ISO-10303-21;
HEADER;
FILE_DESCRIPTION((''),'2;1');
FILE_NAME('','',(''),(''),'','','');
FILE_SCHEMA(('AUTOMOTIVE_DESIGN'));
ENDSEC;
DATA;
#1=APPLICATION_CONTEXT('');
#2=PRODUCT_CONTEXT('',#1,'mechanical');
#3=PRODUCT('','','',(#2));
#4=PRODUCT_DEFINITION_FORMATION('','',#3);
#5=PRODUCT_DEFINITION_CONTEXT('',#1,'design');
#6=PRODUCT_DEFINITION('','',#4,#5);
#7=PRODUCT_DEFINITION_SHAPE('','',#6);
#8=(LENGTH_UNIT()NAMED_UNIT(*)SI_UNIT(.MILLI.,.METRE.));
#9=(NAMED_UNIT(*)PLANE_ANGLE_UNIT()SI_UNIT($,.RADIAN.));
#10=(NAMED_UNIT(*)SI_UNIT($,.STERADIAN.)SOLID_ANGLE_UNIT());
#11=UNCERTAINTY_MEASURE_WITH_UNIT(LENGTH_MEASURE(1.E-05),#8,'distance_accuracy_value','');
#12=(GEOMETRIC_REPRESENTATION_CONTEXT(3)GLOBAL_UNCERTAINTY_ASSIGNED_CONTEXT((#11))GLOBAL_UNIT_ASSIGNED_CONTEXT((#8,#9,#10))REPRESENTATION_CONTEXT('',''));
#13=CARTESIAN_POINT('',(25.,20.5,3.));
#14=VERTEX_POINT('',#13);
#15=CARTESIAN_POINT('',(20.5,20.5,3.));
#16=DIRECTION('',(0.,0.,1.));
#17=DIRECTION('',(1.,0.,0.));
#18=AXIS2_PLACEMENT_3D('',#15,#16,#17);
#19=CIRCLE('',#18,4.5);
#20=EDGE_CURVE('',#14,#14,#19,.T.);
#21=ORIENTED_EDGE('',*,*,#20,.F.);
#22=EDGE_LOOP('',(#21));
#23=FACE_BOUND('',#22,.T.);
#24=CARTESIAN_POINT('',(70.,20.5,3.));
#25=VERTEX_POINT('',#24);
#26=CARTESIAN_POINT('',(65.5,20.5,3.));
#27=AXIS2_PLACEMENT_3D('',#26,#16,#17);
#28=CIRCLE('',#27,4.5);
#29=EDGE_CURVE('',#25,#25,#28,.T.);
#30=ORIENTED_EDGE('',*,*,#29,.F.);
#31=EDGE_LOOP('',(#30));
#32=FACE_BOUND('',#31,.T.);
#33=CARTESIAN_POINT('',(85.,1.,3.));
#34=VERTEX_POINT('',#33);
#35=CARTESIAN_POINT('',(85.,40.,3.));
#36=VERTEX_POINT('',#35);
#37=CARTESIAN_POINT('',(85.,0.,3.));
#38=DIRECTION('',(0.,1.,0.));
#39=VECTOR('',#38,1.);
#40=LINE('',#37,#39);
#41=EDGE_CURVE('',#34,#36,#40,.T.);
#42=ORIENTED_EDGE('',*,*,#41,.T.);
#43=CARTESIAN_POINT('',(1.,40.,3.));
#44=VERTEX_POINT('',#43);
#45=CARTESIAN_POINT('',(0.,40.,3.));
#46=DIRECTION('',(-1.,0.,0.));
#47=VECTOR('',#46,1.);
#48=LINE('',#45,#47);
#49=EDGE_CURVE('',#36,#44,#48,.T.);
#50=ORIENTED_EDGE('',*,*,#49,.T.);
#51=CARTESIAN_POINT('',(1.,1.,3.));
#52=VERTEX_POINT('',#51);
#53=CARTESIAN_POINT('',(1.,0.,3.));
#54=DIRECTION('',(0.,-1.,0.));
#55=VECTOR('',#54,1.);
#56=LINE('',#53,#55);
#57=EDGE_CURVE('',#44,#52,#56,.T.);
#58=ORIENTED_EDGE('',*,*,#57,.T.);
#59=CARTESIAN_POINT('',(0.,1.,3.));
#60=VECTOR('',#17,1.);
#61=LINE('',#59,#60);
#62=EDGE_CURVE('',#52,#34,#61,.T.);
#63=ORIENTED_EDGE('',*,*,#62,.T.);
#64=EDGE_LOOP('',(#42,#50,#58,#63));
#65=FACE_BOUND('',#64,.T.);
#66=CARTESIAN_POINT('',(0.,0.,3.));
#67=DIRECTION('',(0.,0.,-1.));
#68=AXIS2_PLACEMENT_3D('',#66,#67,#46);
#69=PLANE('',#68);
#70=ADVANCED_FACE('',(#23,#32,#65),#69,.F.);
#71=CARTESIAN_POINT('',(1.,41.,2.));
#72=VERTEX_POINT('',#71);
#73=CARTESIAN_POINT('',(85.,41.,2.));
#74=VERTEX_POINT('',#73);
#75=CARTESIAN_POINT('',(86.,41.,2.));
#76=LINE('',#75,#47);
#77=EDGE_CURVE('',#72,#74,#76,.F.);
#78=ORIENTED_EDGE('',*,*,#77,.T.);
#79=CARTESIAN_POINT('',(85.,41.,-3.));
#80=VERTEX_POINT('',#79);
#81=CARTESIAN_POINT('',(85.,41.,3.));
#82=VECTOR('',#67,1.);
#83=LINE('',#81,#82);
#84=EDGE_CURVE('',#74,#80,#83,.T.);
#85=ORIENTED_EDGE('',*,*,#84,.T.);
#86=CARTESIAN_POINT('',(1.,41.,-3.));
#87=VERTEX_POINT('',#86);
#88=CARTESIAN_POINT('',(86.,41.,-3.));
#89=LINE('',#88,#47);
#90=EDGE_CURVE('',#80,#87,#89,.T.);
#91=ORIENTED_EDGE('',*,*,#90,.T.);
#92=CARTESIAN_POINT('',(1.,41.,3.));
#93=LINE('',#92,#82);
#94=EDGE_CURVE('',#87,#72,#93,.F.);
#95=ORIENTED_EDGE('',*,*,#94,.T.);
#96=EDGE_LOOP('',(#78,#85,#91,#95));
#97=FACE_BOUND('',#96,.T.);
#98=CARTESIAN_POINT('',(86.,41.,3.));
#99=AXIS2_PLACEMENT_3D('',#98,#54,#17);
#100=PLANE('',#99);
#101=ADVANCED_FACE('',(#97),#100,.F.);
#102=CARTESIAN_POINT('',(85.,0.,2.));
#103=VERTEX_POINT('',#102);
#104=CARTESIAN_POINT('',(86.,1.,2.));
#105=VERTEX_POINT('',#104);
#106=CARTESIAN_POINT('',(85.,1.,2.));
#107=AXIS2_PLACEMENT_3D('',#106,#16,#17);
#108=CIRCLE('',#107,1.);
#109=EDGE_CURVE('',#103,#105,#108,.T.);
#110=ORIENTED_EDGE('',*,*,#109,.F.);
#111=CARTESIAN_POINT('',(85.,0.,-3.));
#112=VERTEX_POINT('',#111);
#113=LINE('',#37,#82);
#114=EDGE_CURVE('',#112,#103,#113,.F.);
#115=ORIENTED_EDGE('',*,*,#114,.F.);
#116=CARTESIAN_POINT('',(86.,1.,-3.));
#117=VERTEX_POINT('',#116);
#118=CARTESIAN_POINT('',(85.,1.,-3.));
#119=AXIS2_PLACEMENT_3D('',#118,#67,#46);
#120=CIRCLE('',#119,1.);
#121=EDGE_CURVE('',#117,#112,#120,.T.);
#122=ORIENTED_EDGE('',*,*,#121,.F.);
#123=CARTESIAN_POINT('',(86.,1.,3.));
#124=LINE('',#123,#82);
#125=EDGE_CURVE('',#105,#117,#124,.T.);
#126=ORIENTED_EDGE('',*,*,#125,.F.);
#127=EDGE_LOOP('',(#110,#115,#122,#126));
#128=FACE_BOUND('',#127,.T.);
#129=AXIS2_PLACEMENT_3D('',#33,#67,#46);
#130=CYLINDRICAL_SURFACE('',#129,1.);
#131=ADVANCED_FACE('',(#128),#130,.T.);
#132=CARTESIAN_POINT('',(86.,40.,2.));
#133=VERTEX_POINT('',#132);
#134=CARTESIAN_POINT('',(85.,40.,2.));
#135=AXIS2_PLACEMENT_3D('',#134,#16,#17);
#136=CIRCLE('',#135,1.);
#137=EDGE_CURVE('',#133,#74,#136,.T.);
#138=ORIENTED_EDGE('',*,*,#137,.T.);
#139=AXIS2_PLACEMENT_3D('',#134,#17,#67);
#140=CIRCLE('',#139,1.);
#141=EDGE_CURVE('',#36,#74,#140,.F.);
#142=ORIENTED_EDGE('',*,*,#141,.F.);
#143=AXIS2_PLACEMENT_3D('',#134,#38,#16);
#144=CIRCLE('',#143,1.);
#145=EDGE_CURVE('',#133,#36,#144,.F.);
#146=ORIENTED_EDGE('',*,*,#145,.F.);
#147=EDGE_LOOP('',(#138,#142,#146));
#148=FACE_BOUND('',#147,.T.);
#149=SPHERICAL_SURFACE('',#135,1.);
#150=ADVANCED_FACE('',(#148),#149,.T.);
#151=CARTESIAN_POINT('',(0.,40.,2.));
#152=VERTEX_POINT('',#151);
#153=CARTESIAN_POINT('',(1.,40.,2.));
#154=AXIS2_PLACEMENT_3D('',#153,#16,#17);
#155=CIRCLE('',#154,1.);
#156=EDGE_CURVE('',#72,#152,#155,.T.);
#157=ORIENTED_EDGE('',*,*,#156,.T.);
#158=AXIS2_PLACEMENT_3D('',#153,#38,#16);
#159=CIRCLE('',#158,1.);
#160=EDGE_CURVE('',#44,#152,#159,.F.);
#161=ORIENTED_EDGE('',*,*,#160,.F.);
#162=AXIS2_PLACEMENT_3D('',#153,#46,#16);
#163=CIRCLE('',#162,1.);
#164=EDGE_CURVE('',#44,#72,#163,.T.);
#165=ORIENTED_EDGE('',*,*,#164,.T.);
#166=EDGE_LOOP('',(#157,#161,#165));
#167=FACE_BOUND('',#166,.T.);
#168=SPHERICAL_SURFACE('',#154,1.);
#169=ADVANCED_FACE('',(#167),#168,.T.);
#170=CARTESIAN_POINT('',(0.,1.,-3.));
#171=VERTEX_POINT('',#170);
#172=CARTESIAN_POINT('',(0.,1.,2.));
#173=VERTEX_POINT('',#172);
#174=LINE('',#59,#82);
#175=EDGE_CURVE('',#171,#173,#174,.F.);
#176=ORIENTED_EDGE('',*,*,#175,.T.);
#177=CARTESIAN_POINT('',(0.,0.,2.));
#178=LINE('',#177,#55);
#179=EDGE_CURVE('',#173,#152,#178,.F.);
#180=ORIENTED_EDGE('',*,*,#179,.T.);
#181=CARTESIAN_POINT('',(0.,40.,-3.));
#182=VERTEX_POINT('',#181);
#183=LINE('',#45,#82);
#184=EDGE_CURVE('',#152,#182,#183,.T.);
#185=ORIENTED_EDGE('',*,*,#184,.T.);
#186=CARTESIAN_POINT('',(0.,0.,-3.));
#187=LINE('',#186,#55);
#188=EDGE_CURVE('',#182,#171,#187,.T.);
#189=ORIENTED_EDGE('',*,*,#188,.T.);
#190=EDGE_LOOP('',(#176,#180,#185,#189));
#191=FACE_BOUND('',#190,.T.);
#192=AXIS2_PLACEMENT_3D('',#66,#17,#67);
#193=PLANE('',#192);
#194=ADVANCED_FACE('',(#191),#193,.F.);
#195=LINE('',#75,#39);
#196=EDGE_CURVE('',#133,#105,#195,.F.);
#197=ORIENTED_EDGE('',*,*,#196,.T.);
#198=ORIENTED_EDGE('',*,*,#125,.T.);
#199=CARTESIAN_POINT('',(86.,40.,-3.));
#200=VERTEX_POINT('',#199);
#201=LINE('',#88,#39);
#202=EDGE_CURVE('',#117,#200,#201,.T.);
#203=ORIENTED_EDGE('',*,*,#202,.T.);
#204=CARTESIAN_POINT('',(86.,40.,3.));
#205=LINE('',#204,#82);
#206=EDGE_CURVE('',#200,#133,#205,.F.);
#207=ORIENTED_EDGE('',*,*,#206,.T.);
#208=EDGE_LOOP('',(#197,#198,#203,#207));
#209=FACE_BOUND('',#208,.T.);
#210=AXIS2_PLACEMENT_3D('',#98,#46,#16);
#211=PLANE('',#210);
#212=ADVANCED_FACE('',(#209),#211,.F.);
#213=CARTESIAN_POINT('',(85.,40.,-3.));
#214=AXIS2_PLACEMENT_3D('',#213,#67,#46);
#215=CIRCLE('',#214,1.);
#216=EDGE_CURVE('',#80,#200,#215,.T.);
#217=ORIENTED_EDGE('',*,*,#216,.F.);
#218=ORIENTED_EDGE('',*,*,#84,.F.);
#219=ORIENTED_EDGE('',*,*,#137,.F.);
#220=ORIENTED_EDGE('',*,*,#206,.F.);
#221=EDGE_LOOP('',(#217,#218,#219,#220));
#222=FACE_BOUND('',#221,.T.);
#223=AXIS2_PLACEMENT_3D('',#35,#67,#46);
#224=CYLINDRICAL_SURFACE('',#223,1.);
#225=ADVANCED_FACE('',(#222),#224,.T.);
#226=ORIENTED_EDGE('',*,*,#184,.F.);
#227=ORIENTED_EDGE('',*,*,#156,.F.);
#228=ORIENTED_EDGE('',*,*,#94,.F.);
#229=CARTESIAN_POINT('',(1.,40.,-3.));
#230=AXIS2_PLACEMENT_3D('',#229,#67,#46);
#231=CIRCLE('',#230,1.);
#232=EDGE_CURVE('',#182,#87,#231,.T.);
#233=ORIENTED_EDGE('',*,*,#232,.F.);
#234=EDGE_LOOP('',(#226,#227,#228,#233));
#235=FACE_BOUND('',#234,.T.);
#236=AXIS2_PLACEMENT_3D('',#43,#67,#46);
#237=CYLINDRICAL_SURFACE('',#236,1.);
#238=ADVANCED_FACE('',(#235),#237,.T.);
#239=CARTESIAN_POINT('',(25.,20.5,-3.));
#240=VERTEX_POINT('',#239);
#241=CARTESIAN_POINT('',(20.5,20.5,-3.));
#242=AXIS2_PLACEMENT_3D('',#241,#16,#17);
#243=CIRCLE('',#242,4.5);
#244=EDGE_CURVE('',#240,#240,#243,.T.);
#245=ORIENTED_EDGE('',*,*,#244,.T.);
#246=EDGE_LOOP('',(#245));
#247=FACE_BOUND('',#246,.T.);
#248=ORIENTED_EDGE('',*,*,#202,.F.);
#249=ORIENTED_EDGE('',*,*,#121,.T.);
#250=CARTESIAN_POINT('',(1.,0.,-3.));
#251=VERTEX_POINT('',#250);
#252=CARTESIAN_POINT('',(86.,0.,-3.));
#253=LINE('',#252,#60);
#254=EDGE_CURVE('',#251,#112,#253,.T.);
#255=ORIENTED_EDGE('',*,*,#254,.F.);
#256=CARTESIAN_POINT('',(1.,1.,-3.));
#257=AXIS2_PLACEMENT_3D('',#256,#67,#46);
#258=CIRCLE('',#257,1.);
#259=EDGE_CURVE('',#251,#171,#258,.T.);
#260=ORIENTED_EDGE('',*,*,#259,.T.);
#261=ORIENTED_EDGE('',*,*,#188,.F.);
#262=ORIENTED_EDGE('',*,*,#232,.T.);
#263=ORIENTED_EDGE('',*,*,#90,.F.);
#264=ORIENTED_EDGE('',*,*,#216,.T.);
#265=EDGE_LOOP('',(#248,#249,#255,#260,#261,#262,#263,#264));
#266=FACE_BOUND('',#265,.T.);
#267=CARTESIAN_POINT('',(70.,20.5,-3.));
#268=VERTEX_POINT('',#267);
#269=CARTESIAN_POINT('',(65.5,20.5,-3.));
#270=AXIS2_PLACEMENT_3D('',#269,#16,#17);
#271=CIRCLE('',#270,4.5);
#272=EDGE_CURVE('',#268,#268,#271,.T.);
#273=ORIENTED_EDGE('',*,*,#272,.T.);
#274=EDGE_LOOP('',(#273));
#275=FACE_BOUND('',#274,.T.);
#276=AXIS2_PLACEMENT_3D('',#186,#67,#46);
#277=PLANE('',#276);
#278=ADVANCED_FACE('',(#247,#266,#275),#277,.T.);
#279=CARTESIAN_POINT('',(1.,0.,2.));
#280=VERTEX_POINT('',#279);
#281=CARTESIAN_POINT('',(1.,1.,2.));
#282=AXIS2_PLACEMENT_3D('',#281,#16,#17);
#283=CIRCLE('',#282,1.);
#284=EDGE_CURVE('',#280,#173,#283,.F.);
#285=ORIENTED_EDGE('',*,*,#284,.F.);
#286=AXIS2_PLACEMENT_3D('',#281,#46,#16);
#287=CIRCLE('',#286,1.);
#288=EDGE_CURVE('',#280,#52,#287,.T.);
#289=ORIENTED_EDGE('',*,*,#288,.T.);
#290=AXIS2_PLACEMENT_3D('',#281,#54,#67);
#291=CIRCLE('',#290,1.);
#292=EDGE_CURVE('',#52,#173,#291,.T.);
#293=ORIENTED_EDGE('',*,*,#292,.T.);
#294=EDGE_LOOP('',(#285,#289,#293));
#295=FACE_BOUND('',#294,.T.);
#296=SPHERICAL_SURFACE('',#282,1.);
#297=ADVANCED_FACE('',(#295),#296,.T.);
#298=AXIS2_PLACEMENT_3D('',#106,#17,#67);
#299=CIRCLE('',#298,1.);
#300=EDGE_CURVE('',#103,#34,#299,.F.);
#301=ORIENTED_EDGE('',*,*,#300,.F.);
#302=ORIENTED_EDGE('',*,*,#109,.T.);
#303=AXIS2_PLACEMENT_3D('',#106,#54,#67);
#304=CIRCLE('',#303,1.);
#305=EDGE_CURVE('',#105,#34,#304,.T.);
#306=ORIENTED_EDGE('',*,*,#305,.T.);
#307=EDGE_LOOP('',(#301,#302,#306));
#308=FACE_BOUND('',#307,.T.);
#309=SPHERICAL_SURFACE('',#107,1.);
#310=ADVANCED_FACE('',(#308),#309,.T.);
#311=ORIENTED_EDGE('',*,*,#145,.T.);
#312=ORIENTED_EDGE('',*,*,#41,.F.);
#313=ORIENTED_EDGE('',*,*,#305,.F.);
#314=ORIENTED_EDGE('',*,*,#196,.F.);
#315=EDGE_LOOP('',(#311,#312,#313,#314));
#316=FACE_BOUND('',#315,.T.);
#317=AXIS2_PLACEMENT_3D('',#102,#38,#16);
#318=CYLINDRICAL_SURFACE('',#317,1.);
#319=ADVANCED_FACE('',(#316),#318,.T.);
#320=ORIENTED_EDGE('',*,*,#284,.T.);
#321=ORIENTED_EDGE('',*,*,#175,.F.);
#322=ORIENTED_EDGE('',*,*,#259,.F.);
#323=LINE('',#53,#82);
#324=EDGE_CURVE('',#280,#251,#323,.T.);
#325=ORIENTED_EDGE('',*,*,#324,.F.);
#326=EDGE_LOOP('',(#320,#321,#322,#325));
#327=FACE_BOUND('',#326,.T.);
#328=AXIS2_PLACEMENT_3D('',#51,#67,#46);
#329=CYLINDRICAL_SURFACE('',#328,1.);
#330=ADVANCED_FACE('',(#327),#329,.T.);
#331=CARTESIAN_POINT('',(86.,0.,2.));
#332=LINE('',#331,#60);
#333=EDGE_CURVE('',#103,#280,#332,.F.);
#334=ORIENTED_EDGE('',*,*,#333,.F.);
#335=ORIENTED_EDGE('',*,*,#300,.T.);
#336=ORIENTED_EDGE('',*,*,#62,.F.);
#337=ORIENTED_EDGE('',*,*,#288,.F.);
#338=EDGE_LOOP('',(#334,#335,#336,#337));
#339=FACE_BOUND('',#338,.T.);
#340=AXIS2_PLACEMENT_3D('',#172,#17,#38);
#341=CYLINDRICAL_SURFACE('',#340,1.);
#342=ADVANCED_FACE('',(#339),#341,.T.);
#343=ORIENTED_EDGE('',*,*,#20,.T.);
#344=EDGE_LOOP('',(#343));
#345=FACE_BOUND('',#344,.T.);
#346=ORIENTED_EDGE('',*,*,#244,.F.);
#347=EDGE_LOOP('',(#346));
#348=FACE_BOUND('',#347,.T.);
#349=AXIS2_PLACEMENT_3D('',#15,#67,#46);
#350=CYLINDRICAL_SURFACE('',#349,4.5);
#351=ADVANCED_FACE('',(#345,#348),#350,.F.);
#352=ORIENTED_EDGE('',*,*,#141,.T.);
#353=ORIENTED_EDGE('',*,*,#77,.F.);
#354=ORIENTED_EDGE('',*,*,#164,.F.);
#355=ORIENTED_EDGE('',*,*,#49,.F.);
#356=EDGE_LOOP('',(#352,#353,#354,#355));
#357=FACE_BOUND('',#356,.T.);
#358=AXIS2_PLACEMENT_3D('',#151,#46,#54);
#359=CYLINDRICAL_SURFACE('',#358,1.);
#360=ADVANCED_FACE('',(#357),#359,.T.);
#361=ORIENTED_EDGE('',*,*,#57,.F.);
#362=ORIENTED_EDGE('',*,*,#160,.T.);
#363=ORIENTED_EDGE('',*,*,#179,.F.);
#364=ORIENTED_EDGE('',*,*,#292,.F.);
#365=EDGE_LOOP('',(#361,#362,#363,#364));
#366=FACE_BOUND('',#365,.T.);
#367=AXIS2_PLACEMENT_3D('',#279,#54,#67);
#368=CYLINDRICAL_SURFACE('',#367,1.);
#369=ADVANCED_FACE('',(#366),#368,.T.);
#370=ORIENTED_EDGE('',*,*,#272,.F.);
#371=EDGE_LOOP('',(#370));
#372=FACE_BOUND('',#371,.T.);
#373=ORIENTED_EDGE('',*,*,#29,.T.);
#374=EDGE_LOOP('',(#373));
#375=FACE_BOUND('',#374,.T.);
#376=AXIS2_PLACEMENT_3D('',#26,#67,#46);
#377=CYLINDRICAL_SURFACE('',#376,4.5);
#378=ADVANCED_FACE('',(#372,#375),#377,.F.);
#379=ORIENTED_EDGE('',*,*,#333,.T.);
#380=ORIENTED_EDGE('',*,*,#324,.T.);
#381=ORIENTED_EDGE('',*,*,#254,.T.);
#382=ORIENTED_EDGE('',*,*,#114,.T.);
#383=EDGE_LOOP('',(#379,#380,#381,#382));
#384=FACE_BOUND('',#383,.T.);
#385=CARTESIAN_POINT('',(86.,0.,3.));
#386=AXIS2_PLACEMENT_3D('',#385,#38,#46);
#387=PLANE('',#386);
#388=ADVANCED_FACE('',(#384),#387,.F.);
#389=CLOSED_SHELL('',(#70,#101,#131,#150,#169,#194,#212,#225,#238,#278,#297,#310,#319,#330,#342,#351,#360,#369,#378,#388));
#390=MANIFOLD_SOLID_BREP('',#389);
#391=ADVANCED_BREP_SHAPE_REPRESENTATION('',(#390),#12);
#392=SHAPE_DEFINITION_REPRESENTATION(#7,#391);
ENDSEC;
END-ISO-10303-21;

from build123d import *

# Parameters (mm, degrees)
SKETCH1_W           = 86
SKETCH1_H           = 41
SKETCH1_R           = 4.5
BOSS_EXTRUDE1_DEPTH = 3
FILLET1_R           = 1


with BuildPart() as part:
    # Sketch1 → Boss-Extrude1 (new body, symmetric)
    with BuildSketch(Plane.XY):
        with Locations((43, 20.5)):
            Rectangle(SKETCH1_W, SKETCH1_H)
        with Locations((20.5, 20.5)):
            Circle(SKETCH1_R, mode=Mode.SUBTRACT)
        with Locations((65.5, 20.5)):
            Circle(SKETCH1_R, mode=Mode.SUBTRACT)
    extrude(amount=BOSS_EXTRUDE1_DEPTH, both=True)

    # Fillet1
    fillet1_edges = [part.edges().sort_by_distance(p)[0] for p in [
        (43, 41, 3),
        (0, 20.5, 3),
        (43, 0, 3),
        (86, 20.5, 3),
        (0, 0, 0),
        (0, 41, 0),
        (86, 41, 0),
        (86, 0, 0),
    ]]
    fillet(fillet1_edges, radius=FILLET1_R)


solid = part.part
